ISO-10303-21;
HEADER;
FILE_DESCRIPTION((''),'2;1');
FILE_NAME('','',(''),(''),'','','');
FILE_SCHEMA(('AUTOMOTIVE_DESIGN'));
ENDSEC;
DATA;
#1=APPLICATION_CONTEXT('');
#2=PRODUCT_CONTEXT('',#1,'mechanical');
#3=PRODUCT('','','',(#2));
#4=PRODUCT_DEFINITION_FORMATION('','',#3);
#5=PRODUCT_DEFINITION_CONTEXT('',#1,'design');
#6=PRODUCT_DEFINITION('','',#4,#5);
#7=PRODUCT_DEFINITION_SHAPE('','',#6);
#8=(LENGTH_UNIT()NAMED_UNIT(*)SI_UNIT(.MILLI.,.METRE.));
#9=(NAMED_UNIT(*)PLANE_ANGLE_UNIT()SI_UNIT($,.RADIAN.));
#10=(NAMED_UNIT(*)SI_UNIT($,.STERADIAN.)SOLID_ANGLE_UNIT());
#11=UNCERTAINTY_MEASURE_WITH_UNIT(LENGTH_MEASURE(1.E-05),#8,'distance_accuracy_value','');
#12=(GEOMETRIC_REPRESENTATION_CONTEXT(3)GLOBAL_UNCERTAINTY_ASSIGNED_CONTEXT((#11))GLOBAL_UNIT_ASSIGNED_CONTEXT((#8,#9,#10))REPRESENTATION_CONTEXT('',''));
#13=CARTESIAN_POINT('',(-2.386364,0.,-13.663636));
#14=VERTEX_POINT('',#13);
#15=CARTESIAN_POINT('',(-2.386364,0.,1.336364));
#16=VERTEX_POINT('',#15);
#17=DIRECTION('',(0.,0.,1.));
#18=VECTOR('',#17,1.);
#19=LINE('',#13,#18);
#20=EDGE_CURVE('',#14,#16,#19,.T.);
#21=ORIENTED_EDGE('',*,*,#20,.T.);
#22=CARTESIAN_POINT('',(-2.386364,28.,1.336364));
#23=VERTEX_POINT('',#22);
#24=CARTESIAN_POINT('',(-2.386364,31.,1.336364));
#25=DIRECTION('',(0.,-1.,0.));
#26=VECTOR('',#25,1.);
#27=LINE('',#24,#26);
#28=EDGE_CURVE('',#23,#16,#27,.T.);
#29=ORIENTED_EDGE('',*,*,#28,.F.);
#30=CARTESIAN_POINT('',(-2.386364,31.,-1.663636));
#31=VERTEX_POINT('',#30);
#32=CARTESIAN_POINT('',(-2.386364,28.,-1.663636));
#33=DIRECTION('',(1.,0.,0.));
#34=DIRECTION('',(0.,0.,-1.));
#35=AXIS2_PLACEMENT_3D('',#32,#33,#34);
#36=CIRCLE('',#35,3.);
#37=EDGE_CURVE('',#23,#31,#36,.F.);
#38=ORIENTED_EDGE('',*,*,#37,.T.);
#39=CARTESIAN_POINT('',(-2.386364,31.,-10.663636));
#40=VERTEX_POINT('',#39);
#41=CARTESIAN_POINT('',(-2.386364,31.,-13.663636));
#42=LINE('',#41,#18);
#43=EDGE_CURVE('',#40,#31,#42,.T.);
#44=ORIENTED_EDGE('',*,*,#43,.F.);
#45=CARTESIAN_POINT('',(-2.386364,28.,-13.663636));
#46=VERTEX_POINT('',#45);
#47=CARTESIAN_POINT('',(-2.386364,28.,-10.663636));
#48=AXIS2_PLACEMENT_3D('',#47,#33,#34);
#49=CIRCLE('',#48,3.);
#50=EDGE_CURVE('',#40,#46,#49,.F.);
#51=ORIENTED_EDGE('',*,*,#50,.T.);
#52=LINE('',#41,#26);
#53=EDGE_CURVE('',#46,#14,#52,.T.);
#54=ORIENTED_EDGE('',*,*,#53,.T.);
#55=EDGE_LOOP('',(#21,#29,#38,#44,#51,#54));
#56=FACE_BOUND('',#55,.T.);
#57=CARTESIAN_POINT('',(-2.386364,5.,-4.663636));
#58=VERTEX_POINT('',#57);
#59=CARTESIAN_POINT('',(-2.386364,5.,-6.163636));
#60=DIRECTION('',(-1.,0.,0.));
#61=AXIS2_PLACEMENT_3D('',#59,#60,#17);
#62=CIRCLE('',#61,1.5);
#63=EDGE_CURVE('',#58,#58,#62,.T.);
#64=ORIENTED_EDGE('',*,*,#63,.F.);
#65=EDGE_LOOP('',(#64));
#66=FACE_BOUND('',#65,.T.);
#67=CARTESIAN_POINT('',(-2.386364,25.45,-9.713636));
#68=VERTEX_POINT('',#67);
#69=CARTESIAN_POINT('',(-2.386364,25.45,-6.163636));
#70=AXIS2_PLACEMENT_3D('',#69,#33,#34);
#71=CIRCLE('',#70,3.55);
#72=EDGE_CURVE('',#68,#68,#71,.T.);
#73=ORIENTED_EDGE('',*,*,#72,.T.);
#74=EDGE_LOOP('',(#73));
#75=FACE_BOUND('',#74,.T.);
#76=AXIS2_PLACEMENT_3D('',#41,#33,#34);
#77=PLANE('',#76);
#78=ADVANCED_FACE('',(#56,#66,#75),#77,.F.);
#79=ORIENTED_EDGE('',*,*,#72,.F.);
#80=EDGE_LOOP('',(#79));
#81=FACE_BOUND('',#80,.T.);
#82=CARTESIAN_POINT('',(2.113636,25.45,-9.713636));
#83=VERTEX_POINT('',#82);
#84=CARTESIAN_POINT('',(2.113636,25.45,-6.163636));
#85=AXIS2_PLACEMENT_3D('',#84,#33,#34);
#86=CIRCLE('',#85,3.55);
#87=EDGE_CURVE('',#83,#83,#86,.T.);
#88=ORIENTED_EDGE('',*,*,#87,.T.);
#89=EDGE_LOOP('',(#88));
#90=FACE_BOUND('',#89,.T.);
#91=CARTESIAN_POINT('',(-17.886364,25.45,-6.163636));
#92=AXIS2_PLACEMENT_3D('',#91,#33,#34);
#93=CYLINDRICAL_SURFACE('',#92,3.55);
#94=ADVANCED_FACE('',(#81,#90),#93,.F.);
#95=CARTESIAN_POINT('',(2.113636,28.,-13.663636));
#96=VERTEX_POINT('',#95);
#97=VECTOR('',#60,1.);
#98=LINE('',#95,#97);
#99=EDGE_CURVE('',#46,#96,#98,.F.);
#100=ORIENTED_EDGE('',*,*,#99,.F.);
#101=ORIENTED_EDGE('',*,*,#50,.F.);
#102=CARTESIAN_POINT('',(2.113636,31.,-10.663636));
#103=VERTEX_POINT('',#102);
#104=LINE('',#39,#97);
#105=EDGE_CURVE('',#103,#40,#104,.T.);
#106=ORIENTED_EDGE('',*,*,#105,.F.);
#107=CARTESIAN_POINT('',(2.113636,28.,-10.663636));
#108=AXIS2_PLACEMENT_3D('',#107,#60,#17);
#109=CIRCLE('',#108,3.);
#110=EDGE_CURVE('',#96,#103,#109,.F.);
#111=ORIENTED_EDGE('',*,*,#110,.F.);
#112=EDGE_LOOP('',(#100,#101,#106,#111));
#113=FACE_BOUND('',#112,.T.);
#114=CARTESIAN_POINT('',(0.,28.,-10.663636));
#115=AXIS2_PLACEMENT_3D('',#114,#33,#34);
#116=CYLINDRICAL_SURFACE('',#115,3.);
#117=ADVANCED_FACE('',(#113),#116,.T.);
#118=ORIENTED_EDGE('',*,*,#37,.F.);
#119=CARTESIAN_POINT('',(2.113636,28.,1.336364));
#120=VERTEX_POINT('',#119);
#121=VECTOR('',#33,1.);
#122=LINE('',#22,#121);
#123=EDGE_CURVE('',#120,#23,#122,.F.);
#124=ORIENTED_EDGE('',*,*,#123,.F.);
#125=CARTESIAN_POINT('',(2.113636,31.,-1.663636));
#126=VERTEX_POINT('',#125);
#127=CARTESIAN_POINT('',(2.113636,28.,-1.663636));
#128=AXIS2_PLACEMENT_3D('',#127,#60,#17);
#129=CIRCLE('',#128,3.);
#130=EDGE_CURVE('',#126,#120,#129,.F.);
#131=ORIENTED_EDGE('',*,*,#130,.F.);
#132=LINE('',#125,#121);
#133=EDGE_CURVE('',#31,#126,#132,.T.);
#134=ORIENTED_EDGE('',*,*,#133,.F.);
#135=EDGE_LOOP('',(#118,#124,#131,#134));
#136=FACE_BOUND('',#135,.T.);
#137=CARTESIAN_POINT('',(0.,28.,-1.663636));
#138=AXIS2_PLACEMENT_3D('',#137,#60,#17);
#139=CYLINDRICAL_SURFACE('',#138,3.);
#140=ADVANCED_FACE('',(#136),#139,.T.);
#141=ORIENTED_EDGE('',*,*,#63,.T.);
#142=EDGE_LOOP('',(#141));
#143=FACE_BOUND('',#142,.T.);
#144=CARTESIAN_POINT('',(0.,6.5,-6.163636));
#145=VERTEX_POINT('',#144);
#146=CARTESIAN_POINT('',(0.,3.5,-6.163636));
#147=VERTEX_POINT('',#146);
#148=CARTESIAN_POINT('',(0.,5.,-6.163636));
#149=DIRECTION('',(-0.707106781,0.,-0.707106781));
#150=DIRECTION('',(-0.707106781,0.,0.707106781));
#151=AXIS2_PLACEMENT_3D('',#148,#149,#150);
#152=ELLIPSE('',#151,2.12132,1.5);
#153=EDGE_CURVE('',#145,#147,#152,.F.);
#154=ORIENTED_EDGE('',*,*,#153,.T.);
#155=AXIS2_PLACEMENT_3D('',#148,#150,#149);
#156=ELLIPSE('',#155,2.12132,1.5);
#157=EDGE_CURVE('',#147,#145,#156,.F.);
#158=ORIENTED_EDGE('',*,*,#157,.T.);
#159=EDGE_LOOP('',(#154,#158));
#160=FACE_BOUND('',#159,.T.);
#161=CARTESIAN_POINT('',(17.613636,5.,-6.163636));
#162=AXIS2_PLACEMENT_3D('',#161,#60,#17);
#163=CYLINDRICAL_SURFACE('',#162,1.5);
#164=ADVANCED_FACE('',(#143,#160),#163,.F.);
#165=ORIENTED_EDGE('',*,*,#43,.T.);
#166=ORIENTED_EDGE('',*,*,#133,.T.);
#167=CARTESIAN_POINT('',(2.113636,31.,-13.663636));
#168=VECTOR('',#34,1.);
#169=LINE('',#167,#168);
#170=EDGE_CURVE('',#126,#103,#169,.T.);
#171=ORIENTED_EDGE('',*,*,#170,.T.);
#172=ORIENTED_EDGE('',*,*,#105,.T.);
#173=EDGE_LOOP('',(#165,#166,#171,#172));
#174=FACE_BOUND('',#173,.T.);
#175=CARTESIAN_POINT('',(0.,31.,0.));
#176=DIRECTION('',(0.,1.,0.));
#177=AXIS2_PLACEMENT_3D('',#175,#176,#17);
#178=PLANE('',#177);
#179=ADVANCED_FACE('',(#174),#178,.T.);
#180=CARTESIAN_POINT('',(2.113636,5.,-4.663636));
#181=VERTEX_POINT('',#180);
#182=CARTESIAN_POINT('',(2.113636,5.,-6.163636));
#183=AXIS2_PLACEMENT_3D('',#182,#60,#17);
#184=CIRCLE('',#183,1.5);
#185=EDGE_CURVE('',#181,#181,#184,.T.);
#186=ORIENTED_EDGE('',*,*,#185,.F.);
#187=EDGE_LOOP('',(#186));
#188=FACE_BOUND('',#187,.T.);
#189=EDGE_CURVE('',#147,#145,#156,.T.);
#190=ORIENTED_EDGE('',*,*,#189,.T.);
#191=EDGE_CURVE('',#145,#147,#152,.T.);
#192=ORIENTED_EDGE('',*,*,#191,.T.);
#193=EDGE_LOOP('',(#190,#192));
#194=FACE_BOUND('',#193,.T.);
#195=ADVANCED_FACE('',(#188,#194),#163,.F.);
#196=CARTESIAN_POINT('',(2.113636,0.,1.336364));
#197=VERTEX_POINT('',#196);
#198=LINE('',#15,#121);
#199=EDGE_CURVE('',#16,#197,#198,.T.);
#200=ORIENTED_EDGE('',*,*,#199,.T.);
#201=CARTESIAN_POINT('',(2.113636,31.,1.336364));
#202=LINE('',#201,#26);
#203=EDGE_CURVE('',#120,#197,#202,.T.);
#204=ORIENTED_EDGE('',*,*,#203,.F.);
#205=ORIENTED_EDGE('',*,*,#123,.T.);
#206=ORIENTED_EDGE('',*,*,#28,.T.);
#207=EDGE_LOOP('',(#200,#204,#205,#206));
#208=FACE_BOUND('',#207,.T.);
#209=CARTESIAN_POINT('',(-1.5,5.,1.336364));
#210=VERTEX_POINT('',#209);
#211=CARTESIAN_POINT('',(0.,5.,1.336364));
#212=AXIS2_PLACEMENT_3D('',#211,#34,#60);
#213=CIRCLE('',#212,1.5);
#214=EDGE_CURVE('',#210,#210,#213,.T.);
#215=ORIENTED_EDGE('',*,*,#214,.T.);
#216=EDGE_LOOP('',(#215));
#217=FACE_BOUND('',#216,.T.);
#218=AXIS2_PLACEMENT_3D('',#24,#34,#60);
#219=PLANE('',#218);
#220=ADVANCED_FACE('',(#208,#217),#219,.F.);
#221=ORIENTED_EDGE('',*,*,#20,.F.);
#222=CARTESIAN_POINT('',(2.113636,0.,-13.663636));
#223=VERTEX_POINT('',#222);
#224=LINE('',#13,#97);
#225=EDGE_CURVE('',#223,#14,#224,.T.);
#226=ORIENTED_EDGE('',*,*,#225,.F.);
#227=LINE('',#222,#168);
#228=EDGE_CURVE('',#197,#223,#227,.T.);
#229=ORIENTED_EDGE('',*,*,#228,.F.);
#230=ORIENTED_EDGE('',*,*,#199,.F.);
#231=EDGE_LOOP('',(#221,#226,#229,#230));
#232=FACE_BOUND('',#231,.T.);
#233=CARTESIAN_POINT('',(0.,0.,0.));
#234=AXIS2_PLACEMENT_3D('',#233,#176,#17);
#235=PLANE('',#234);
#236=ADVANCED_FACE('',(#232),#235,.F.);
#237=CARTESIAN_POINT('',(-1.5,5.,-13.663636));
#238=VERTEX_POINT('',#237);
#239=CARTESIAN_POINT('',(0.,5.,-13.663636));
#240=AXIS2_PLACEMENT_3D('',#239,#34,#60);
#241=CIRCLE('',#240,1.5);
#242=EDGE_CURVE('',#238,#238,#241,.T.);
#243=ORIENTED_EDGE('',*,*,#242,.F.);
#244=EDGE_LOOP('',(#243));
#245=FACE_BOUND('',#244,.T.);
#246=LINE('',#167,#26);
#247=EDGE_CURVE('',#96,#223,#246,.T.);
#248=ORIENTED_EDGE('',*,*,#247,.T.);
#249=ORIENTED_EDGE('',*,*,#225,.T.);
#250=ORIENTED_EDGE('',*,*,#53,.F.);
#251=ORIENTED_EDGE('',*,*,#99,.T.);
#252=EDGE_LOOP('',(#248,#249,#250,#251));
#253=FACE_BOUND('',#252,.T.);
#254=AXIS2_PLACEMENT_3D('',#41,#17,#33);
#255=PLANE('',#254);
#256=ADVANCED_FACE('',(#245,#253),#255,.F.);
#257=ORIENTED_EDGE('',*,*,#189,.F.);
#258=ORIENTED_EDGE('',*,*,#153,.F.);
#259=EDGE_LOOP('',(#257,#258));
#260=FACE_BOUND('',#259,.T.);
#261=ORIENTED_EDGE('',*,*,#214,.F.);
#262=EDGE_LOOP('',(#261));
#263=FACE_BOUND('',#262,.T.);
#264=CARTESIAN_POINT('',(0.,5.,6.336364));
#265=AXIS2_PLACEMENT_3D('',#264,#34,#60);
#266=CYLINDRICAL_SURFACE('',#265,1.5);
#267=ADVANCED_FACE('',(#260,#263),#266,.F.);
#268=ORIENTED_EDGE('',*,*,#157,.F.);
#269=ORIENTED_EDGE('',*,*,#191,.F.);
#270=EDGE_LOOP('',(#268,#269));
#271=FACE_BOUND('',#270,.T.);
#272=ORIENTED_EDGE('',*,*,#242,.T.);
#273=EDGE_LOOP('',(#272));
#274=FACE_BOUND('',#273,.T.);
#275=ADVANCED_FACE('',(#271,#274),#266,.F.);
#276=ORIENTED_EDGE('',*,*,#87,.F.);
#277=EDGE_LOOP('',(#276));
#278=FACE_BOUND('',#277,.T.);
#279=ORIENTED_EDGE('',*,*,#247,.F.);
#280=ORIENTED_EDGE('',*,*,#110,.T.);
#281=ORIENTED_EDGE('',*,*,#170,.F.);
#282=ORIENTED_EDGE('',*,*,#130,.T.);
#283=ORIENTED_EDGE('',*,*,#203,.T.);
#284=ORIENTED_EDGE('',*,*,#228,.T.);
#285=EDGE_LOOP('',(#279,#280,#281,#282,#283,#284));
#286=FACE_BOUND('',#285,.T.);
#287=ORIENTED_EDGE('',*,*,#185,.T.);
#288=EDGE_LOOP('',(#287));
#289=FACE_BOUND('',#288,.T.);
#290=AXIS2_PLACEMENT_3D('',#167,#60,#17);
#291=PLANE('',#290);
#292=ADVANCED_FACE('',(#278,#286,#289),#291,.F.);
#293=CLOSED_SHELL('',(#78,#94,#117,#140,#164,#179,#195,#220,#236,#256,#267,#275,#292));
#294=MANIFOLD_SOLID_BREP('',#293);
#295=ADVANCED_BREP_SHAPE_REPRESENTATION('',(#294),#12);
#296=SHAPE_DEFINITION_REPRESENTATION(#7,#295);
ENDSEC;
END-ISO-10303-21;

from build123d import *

# Parameters (mm, degrees)
SKETCH1_W           = 4.5
SKETCH1_H           = 15
BOSS_EXTRUDE1_DEPTH = 31
SKETCH2_R           = 3.55
CUT_EXTRUDE1_DEPTH  = 20
SKETCH3_R           = 1.5
CUT_EXTRUDE2_DEPTH  = 20
SKETCH4_R           = 1.5
CUT_EXTRUDE3_DEPTH  = 20
FILLET1_R           = 3
FILLET2_R           = 3


with BuildPart() as part:
    # Sketch1 → Boss-Extrude1 (new body)
    with BuildSketch(Plane(origin=(0, 0, 0), x_dir=(1, 0, 0), z_dir=(0, 1, 0))):
        with Locations((-0.136363636, 6.163636364)):
            Rectangle(SKETCH1_W, SKETCH1_H)
    extrude(amount=BOSS_EXTRUDE1_DEPTH)

    # Sketch2 → Cut-Extrude1 (cut)
    with BuildSketch(Plane(origin=(2.113636364, 0, 0), x_dir=(0, 0, -1), z_dir=(1, 0, 0))):
        with Locations((6.163636364, 25.45)):
            Circle(SKETCH2_R)
    extrude(amount=-CUT_EXTRUDE1_DEPTH, mode=Mode.SUBTRACT)

    # Sketch3 → Cut-Extrude2 (cut)
    with BuildSketch(Plane.ZY.offset(2.386363636)):
        with Locations((-6.163636364, 5)):
            Circle(SKETCH3_R)
    extrude(amount=-CUT_EXTRUDE2_DEPTH, mode=Mode.SUBTRACT)

    # Sketch4 → Cut-Extrude3 (cut)
    with BuildSketch(Plane(origin=(0, 0, -13.663636364), x_dir=(-1, 0, 0), z_dir=(0, 0, -1))):
        with Locations((0, 5)):
            Circle(SKETCH4_R)
    extrude(amount=-CUT_EXTRUDE3_DEPTH, mode=Mode.SUBTRACT)

    # Fillet1
    fillet1_edges = [part.edges().sort_by_distance(p)[0] for p in [
        (-0.136363636, 31, 1.336363636),
    ]]
    fillet(fillet1_edges, radius=FILLET1_R)

    # Fillet2
    fillet2_edges = [part.edges().sort_by_distance(p)[0] for p in [
        (-0.136363636, 31, -13.663636364),
    ]]
    fillet(fillet2_edges, radius=FILLET2_R)


solid = part.part
